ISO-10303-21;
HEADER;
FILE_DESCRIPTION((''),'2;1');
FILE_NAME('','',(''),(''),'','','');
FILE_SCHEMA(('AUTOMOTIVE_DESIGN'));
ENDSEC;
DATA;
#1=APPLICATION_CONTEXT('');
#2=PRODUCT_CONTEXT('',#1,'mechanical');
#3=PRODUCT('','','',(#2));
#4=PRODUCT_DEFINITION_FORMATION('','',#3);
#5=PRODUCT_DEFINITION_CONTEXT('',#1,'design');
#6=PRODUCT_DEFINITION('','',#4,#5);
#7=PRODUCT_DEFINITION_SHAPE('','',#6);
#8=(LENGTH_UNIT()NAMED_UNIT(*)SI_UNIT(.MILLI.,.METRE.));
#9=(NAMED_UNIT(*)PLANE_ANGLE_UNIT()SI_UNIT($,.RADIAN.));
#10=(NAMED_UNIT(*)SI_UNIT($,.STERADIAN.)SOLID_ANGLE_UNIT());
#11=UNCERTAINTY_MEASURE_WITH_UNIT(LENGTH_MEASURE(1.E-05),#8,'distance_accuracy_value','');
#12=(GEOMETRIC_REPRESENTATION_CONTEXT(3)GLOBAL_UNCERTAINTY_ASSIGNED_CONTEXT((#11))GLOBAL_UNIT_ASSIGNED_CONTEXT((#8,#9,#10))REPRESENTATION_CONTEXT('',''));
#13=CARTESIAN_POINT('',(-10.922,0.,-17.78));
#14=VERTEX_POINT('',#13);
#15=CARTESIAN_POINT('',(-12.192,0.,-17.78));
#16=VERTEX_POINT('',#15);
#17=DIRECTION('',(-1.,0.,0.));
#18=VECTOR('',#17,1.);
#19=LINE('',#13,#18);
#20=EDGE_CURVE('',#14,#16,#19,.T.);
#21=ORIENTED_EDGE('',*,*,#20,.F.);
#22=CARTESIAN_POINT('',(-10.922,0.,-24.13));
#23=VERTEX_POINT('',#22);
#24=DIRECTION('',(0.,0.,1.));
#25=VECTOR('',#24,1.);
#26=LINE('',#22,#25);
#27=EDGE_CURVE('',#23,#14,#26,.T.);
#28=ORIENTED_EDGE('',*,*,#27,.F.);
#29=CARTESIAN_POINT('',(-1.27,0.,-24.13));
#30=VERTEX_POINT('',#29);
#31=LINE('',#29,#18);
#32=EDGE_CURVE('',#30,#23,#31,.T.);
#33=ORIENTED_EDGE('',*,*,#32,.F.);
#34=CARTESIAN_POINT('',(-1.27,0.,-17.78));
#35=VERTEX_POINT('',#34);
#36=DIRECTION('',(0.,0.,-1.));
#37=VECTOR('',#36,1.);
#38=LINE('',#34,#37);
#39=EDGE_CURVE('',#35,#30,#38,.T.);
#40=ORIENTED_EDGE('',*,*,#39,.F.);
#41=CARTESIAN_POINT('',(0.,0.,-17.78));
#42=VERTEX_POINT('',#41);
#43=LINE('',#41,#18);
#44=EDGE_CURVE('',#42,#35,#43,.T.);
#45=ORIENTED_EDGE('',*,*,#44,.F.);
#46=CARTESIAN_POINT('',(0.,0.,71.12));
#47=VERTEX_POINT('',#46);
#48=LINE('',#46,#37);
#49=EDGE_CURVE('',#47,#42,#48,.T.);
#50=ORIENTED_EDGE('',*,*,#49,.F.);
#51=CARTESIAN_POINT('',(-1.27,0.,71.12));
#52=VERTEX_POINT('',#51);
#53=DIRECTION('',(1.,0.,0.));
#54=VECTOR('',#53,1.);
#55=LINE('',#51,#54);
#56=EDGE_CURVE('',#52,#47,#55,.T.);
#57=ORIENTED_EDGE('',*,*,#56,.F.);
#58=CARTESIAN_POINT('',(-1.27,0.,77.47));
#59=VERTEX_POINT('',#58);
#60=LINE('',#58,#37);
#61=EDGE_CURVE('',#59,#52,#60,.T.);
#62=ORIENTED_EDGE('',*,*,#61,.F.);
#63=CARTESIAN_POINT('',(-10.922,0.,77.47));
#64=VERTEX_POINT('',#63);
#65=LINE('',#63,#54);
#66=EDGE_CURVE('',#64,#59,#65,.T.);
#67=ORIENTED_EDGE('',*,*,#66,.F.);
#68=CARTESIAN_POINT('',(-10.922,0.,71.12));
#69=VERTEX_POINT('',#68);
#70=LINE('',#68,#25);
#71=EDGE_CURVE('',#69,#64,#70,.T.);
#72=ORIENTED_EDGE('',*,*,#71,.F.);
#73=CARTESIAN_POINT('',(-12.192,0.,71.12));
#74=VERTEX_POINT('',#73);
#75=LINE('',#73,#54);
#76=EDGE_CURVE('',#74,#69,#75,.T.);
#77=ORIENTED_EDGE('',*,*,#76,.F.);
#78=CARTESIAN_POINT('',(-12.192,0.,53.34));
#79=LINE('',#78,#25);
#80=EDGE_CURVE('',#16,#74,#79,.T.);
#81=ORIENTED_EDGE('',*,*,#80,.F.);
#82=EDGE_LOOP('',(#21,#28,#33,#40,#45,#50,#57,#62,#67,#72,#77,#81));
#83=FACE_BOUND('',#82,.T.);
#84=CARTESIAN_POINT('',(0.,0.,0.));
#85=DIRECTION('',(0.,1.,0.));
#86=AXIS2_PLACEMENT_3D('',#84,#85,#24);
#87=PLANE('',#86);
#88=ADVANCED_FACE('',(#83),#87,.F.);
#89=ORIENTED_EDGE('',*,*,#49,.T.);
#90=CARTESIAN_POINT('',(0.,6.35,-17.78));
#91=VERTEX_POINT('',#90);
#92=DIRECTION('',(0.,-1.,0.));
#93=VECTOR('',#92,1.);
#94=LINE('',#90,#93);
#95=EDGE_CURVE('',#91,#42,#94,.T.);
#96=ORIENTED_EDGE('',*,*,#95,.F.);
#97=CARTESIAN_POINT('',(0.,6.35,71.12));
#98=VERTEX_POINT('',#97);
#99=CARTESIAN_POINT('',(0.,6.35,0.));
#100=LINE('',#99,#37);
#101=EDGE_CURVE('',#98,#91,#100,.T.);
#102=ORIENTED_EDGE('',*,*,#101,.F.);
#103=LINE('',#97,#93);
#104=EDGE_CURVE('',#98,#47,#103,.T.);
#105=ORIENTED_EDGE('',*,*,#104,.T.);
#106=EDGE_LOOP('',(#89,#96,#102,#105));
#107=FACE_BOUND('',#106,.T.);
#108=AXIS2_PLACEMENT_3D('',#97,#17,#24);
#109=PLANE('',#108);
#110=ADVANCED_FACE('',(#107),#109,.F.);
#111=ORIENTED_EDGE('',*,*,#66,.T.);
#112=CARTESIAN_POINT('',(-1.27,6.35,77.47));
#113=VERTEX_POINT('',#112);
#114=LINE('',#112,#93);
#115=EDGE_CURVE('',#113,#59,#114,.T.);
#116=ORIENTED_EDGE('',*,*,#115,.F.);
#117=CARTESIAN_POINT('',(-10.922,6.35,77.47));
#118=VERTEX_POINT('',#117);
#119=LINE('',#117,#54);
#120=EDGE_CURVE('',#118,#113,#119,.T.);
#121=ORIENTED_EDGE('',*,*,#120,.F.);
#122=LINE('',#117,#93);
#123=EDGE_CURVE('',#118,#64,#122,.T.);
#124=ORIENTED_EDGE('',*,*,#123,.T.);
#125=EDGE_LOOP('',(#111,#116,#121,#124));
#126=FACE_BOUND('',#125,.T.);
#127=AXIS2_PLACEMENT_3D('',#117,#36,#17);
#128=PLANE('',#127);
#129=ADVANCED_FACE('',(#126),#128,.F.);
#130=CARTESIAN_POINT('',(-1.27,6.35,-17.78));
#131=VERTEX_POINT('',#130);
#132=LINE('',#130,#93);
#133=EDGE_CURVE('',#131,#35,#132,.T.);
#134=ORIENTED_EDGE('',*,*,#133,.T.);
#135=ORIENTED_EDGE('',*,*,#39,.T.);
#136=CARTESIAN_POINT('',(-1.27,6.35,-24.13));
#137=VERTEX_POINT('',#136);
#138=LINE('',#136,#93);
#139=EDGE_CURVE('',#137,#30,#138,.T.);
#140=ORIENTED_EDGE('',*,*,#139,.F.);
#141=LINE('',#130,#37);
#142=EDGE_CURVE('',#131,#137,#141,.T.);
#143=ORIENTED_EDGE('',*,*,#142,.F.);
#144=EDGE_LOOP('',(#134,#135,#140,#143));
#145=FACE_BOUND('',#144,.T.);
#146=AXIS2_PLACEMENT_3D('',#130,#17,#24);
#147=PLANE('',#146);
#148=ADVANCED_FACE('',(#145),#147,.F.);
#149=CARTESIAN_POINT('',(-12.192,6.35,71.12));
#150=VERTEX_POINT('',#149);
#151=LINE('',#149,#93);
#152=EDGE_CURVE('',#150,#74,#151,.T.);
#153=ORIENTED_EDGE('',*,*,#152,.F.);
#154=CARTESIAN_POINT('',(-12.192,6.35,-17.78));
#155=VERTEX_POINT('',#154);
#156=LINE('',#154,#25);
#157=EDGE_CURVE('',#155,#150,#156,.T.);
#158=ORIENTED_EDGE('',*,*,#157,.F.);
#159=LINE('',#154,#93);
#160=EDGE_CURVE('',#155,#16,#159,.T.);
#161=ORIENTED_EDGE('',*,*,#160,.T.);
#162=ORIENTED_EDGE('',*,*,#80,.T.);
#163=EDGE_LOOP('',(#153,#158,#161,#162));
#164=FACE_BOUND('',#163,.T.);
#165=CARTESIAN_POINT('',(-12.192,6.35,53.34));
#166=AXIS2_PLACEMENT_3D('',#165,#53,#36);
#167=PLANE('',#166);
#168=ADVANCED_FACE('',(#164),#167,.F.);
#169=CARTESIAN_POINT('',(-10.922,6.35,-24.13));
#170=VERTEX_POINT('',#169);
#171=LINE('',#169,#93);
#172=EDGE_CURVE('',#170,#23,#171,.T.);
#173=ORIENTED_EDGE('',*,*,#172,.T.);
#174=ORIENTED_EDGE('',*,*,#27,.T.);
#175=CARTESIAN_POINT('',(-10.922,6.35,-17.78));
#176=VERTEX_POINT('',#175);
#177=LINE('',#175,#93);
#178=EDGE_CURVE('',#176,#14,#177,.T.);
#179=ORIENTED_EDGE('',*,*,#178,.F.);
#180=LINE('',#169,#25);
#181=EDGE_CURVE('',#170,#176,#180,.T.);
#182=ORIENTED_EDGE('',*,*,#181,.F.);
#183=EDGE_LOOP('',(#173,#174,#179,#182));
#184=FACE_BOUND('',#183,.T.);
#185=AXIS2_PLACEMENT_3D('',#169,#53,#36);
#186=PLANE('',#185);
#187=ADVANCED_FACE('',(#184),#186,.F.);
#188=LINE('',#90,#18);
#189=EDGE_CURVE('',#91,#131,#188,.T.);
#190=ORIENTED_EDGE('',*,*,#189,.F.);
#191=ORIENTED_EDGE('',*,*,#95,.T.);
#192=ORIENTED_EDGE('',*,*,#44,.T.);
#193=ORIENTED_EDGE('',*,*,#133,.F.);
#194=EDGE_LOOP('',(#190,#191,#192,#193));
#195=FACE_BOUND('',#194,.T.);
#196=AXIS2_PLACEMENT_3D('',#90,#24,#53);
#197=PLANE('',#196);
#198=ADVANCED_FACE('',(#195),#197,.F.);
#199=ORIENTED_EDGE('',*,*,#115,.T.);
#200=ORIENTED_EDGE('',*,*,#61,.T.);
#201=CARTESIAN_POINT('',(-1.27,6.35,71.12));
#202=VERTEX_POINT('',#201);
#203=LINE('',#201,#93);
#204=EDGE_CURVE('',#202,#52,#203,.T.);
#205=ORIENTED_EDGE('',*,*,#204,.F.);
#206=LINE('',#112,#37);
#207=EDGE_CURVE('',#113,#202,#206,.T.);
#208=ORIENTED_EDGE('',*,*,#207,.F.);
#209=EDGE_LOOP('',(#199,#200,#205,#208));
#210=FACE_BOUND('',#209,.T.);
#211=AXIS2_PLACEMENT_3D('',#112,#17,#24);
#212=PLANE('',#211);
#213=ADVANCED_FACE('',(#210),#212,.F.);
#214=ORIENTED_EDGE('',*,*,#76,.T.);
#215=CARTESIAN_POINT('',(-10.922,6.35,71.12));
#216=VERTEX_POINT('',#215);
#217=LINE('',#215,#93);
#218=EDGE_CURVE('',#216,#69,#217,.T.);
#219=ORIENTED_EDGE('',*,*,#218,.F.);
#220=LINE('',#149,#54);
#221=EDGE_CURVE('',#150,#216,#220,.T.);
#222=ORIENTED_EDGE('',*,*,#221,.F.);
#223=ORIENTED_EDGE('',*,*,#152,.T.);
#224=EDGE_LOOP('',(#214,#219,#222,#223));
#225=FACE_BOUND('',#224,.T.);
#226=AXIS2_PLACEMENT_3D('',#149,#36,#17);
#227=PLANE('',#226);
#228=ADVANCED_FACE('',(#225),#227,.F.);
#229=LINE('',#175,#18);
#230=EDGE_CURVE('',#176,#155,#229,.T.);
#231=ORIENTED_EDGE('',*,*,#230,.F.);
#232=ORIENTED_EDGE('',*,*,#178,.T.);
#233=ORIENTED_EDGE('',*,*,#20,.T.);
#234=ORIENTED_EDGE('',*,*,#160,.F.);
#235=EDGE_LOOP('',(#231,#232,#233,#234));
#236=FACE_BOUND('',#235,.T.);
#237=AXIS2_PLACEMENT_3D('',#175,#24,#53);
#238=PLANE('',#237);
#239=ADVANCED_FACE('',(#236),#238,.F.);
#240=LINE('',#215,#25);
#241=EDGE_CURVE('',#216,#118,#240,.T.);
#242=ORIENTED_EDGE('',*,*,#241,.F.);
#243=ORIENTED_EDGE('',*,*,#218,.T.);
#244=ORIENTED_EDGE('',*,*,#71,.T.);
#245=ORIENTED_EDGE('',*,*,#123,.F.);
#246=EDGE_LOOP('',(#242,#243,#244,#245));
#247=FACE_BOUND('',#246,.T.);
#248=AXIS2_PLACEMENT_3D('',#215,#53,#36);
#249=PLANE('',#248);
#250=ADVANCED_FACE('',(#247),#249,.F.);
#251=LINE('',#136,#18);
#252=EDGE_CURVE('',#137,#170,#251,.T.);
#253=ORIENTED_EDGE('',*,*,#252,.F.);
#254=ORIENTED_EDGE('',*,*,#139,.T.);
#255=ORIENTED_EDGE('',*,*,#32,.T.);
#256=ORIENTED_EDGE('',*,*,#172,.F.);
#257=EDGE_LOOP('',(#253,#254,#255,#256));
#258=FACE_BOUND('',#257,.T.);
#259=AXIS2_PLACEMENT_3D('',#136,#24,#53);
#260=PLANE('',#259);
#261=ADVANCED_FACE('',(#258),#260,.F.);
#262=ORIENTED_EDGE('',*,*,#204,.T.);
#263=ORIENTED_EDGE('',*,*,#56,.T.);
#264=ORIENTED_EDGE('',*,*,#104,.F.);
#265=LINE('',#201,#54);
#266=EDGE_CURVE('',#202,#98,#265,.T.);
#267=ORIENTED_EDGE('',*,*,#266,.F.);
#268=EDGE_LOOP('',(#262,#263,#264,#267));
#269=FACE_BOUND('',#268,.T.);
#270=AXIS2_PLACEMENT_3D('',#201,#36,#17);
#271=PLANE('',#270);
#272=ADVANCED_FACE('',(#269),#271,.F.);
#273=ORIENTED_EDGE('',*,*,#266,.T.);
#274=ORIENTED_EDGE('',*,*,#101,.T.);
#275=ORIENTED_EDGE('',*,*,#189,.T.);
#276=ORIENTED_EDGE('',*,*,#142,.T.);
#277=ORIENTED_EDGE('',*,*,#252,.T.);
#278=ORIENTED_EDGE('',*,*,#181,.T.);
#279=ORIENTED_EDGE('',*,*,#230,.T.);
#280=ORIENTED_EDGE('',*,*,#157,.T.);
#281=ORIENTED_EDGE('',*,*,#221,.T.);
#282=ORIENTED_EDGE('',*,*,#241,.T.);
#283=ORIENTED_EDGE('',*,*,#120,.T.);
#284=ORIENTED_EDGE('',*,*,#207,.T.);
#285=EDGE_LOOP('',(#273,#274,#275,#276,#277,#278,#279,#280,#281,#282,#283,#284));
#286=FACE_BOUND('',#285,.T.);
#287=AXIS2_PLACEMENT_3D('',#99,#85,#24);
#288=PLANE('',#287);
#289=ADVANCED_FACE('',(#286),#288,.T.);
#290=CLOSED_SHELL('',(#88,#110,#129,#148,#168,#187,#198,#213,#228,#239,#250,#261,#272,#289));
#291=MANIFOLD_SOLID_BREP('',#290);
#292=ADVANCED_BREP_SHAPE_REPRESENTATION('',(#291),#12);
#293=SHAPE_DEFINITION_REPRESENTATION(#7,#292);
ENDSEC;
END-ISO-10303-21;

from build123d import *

# Parameters (mm, degrees)
BOSS_EXTRUDE1_DEPTH = 6.35


with BuildPart() as part:
    # Sketch1 → Boss-Extrude1 (new body)
    with BuildSketch(Plane(origin=(0, 0, 0), x_dir=(1, 0, 0), z_dir=(0, 1, 0))):
        Polygon((0, 0), (0, 17.78), (-1.27, 17.78), (-1.27, 24.13), (-10.922, 24.13), (-10.922, 17.78), (-12.192, 17.78), (-12.192, 0), (-12.192, -53.34), (-12.192, -71.12), (-10.922, -71.12), (-10.922, -77.47), (-1.27, -77.47), (-1.27, -71.12), (0, -71.12), (0, -53.34), align=None)
    extrude(amount=BOSS_EXTRUDE1_DEPTH)


solid = part.part
